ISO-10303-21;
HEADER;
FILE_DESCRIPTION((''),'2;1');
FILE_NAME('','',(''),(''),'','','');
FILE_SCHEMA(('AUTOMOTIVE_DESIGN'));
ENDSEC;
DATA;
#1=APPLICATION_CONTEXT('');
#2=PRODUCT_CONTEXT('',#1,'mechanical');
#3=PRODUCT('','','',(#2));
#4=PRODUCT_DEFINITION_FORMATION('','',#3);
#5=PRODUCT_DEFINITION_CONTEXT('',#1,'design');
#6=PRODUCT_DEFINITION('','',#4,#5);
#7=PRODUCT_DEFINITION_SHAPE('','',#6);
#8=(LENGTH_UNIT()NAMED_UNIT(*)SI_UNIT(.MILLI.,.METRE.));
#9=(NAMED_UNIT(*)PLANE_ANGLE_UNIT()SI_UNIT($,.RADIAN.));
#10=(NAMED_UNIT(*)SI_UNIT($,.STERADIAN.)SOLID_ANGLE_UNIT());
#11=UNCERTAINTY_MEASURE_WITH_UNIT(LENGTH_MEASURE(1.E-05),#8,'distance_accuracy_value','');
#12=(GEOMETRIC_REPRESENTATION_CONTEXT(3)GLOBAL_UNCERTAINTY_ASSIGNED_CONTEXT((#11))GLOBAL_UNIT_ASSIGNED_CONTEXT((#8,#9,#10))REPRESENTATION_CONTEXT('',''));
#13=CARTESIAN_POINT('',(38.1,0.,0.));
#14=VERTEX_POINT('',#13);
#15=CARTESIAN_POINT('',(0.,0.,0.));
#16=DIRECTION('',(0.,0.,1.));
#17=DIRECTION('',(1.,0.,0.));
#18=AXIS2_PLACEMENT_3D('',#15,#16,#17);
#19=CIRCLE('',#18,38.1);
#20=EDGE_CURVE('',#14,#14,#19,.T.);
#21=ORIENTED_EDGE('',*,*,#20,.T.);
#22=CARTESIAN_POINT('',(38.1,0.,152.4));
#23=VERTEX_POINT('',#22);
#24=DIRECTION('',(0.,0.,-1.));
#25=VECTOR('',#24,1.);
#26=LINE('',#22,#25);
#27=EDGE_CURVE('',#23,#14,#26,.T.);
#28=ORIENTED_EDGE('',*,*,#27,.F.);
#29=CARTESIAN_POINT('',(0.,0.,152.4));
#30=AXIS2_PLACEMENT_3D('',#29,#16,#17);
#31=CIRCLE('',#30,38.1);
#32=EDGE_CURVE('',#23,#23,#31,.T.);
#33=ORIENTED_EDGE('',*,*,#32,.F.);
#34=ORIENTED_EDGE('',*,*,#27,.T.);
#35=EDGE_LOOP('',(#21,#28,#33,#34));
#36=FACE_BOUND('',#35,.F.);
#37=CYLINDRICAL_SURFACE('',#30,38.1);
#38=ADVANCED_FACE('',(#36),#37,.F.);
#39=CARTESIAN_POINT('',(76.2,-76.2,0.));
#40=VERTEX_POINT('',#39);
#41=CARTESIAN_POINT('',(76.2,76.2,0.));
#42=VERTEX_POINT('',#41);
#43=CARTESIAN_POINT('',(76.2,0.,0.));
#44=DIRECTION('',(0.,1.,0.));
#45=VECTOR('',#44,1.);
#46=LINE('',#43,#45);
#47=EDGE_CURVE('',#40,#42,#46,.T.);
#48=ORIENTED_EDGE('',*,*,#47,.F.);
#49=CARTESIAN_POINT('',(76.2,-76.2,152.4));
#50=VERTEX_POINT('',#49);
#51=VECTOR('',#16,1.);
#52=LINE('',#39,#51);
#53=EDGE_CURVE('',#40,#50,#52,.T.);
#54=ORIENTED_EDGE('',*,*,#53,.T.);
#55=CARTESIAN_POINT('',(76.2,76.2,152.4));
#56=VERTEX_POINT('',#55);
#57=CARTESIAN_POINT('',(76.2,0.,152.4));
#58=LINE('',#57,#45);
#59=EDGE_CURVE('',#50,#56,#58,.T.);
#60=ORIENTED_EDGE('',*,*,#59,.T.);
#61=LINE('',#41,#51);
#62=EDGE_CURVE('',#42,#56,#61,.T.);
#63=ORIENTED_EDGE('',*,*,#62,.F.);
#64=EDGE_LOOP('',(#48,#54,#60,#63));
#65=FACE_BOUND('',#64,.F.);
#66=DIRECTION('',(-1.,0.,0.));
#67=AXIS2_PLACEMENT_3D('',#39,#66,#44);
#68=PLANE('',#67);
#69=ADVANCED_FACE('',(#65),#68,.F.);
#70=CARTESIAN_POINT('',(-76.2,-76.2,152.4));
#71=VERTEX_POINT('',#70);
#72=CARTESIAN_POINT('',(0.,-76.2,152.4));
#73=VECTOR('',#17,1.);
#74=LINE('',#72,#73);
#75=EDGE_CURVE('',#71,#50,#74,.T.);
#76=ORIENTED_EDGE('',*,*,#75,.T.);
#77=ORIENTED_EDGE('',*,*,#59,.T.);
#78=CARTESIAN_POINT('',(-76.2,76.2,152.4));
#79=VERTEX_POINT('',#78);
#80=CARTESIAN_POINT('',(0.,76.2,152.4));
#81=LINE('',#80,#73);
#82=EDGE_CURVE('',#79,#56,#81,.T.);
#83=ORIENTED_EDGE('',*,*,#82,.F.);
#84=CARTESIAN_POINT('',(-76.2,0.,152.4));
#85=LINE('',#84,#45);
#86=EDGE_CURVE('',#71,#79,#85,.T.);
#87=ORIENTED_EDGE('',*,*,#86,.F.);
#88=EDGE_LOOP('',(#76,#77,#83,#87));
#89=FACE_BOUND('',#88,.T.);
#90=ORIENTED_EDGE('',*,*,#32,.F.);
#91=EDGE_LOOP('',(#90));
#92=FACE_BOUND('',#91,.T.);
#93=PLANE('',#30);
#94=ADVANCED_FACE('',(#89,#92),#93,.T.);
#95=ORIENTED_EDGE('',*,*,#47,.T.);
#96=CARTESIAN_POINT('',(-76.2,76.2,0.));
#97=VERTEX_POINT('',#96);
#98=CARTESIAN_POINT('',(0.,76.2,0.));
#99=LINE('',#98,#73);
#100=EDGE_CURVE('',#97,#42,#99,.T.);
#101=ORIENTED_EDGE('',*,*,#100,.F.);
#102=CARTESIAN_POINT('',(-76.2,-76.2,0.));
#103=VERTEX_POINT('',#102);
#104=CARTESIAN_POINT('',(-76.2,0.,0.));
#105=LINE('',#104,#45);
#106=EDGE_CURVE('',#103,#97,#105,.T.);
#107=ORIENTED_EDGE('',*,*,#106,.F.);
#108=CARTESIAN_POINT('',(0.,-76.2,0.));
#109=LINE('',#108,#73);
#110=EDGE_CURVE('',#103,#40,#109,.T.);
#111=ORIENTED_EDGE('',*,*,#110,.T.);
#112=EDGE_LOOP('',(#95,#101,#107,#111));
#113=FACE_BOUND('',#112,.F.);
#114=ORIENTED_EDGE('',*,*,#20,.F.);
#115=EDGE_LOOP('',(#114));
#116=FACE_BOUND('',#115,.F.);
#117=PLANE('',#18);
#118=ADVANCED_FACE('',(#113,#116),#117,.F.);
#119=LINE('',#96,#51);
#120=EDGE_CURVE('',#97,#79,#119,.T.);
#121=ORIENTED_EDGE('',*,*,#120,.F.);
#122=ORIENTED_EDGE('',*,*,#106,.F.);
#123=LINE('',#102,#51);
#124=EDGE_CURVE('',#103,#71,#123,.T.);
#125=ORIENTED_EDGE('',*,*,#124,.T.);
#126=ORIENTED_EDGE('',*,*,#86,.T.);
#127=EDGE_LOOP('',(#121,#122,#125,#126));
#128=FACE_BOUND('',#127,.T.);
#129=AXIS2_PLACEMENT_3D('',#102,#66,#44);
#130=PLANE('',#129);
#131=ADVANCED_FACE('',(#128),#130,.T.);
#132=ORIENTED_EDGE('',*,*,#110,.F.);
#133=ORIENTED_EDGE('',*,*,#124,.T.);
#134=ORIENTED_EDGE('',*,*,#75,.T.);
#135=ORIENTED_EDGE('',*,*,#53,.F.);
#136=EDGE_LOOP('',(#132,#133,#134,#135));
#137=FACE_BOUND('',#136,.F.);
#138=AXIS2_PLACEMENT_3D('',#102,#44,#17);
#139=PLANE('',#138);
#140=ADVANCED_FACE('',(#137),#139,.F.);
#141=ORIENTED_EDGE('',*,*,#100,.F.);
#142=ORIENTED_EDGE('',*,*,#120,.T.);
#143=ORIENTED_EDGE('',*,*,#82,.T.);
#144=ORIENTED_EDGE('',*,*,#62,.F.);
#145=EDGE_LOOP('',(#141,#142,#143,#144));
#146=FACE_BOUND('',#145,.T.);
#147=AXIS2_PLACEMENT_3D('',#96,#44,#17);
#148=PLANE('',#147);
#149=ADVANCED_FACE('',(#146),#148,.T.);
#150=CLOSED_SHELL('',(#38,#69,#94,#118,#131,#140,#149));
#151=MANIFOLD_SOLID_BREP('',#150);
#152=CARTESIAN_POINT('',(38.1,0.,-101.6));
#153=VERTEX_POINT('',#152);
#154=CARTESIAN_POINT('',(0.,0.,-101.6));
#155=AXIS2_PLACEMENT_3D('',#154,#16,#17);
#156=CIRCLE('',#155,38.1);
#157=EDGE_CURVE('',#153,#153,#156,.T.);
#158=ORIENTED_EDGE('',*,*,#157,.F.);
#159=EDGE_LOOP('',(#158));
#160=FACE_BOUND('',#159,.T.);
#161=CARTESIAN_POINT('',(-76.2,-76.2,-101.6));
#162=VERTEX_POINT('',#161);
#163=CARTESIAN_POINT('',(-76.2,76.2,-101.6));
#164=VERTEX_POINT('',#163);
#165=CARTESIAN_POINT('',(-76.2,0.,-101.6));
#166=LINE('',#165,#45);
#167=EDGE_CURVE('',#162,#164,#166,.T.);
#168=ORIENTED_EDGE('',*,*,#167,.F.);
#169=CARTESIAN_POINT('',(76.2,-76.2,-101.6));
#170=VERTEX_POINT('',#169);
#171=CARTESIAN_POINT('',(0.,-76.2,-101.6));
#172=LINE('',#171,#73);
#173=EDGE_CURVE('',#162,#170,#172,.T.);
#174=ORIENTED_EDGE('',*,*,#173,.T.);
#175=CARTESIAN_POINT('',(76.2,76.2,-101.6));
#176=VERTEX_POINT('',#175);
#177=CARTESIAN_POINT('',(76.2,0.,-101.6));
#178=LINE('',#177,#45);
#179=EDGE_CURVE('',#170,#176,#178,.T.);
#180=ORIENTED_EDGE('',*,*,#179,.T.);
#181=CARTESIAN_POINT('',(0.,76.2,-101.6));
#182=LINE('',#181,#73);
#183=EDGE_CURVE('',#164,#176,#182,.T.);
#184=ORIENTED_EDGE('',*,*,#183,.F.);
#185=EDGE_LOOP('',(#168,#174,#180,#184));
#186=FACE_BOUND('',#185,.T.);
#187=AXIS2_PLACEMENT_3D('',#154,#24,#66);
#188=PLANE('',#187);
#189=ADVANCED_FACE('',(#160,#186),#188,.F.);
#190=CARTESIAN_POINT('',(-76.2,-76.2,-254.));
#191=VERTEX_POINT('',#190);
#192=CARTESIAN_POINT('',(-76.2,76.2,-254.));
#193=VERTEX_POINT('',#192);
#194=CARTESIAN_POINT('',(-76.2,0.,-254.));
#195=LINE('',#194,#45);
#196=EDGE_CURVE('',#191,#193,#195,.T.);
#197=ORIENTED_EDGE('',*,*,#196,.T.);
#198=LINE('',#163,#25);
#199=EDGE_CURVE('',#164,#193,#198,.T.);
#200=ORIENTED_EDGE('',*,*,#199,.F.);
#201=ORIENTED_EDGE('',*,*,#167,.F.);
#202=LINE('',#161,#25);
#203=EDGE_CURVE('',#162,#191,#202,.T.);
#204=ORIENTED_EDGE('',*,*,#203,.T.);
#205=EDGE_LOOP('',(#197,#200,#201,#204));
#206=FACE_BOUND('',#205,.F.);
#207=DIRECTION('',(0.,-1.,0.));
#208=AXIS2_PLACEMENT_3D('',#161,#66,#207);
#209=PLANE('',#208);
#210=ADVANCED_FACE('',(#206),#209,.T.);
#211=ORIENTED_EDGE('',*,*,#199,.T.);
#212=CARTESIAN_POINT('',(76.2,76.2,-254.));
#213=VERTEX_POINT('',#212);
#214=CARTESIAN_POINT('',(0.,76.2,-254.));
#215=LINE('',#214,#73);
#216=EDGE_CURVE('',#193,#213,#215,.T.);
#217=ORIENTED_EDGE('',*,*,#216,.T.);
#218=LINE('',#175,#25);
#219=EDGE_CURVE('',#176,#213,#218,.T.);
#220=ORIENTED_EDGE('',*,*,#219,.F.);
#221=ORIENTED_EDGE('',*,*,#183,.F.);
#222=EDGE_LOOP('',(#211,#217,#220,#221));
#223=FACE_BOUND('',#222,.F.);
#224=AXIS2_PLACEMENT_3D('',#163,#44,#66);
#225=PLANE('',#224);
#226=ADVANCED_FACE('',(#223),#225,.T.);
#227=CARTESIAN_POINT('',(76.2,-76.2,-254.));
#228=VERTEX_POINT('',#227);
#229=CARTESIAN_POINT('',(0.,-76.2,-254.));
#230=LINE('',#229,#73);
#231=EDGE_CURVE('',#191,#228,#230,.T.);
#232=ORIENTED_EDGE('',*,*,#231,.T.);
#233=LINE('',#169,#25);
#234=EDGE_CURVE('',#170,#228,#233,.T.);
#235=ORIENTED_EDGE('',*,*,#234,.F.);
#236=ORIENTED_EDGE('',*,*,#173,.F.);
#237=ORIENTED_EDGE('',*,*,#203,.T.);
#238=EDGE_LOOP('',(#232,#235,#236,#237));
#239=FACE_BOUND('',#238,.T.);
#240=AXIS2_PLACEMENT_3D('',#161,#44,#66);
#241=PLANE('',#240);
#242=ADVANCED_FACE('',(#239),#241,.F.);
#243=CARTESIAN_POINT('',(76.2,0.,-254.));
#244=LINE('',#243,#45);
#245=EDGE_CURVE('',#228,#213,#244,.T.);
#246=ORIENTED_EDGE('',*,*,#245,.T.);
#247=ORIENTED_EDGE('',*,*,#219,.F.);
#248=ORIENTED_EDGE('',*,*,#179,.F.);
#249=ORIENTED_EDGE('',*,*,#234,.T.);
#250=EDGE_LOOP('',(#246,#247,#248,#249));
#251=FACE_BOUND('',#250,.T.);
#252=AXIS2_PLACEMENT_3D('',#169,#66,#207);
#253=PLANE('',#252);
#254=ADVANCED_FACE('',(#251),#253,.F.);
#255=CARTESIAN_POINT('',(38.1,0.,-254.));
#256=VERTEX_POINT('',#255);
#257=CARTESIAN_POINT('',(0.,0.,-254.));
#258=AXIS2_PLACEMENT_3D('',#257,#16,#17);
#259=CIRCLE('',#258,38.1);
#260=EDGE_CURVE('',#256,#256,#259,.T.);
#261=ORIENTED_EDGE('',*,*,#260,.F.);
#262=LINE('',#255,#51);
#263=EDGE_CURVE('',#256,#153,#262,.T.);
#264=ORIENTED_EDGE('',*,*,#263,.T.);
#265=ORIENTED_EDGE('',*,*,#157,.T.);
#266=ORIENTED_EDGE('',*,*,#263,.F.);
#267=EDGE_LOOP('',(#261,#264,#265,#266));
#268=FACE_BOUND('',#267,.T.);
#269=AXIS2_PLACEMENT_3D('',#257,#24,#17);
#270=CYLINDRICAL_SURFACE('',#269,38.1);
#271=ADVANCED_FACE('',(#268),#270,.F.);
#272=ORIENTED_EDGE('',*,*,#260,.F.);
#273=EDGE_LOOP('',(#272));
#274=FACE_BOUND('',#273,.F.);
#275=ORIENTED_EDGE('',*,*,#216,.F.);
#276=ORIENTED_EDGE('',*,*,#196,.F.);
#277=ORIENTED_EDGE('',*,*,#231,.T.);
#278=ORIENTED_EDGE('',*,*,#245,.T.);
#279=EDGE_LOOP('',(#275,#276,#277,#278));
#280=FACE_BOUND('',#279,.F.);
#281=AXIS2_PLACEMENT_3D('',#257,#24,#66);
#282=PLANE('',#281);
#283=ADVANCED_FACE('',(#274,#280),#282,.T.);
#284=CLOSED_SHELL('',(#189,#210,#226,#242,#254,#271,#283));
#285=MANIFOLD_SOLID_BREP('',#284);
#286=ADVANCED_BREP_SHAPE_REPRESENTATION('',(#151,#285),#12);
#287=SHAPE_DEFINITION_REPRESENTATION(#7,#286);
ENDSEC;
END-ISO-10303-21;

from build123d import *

# Parameters (mm, degrees)
F0_W     = 152.4
F0_H     = 152.4
F1_DEPTH = 152.4
F2_R     = 38.1
F3_DEPTH = 152.4


with BuildPart() as f1:
    # F0 (on Top) → F1 (new body)
    with BuildSketch(Plane.XY):
        Rectangle(F0_W, F0_H)
    extrude(amount=F1_DEPTH)

    # F2 (on face) → F3 (cut, through all)
    with BuildSketch(Plane.XY.offset(152.4)):
        Circle(F2_R)
    extrude(amount=-F3_DEPTH, mode=Mode.SUBTRACT)


with BuildPart() as f5_1:
    # F5: instance of F1
    add(f1.part.mirror(Plane.XY.offset(-50.8)))


solid = Compound([f1.part, f5_1.part])
